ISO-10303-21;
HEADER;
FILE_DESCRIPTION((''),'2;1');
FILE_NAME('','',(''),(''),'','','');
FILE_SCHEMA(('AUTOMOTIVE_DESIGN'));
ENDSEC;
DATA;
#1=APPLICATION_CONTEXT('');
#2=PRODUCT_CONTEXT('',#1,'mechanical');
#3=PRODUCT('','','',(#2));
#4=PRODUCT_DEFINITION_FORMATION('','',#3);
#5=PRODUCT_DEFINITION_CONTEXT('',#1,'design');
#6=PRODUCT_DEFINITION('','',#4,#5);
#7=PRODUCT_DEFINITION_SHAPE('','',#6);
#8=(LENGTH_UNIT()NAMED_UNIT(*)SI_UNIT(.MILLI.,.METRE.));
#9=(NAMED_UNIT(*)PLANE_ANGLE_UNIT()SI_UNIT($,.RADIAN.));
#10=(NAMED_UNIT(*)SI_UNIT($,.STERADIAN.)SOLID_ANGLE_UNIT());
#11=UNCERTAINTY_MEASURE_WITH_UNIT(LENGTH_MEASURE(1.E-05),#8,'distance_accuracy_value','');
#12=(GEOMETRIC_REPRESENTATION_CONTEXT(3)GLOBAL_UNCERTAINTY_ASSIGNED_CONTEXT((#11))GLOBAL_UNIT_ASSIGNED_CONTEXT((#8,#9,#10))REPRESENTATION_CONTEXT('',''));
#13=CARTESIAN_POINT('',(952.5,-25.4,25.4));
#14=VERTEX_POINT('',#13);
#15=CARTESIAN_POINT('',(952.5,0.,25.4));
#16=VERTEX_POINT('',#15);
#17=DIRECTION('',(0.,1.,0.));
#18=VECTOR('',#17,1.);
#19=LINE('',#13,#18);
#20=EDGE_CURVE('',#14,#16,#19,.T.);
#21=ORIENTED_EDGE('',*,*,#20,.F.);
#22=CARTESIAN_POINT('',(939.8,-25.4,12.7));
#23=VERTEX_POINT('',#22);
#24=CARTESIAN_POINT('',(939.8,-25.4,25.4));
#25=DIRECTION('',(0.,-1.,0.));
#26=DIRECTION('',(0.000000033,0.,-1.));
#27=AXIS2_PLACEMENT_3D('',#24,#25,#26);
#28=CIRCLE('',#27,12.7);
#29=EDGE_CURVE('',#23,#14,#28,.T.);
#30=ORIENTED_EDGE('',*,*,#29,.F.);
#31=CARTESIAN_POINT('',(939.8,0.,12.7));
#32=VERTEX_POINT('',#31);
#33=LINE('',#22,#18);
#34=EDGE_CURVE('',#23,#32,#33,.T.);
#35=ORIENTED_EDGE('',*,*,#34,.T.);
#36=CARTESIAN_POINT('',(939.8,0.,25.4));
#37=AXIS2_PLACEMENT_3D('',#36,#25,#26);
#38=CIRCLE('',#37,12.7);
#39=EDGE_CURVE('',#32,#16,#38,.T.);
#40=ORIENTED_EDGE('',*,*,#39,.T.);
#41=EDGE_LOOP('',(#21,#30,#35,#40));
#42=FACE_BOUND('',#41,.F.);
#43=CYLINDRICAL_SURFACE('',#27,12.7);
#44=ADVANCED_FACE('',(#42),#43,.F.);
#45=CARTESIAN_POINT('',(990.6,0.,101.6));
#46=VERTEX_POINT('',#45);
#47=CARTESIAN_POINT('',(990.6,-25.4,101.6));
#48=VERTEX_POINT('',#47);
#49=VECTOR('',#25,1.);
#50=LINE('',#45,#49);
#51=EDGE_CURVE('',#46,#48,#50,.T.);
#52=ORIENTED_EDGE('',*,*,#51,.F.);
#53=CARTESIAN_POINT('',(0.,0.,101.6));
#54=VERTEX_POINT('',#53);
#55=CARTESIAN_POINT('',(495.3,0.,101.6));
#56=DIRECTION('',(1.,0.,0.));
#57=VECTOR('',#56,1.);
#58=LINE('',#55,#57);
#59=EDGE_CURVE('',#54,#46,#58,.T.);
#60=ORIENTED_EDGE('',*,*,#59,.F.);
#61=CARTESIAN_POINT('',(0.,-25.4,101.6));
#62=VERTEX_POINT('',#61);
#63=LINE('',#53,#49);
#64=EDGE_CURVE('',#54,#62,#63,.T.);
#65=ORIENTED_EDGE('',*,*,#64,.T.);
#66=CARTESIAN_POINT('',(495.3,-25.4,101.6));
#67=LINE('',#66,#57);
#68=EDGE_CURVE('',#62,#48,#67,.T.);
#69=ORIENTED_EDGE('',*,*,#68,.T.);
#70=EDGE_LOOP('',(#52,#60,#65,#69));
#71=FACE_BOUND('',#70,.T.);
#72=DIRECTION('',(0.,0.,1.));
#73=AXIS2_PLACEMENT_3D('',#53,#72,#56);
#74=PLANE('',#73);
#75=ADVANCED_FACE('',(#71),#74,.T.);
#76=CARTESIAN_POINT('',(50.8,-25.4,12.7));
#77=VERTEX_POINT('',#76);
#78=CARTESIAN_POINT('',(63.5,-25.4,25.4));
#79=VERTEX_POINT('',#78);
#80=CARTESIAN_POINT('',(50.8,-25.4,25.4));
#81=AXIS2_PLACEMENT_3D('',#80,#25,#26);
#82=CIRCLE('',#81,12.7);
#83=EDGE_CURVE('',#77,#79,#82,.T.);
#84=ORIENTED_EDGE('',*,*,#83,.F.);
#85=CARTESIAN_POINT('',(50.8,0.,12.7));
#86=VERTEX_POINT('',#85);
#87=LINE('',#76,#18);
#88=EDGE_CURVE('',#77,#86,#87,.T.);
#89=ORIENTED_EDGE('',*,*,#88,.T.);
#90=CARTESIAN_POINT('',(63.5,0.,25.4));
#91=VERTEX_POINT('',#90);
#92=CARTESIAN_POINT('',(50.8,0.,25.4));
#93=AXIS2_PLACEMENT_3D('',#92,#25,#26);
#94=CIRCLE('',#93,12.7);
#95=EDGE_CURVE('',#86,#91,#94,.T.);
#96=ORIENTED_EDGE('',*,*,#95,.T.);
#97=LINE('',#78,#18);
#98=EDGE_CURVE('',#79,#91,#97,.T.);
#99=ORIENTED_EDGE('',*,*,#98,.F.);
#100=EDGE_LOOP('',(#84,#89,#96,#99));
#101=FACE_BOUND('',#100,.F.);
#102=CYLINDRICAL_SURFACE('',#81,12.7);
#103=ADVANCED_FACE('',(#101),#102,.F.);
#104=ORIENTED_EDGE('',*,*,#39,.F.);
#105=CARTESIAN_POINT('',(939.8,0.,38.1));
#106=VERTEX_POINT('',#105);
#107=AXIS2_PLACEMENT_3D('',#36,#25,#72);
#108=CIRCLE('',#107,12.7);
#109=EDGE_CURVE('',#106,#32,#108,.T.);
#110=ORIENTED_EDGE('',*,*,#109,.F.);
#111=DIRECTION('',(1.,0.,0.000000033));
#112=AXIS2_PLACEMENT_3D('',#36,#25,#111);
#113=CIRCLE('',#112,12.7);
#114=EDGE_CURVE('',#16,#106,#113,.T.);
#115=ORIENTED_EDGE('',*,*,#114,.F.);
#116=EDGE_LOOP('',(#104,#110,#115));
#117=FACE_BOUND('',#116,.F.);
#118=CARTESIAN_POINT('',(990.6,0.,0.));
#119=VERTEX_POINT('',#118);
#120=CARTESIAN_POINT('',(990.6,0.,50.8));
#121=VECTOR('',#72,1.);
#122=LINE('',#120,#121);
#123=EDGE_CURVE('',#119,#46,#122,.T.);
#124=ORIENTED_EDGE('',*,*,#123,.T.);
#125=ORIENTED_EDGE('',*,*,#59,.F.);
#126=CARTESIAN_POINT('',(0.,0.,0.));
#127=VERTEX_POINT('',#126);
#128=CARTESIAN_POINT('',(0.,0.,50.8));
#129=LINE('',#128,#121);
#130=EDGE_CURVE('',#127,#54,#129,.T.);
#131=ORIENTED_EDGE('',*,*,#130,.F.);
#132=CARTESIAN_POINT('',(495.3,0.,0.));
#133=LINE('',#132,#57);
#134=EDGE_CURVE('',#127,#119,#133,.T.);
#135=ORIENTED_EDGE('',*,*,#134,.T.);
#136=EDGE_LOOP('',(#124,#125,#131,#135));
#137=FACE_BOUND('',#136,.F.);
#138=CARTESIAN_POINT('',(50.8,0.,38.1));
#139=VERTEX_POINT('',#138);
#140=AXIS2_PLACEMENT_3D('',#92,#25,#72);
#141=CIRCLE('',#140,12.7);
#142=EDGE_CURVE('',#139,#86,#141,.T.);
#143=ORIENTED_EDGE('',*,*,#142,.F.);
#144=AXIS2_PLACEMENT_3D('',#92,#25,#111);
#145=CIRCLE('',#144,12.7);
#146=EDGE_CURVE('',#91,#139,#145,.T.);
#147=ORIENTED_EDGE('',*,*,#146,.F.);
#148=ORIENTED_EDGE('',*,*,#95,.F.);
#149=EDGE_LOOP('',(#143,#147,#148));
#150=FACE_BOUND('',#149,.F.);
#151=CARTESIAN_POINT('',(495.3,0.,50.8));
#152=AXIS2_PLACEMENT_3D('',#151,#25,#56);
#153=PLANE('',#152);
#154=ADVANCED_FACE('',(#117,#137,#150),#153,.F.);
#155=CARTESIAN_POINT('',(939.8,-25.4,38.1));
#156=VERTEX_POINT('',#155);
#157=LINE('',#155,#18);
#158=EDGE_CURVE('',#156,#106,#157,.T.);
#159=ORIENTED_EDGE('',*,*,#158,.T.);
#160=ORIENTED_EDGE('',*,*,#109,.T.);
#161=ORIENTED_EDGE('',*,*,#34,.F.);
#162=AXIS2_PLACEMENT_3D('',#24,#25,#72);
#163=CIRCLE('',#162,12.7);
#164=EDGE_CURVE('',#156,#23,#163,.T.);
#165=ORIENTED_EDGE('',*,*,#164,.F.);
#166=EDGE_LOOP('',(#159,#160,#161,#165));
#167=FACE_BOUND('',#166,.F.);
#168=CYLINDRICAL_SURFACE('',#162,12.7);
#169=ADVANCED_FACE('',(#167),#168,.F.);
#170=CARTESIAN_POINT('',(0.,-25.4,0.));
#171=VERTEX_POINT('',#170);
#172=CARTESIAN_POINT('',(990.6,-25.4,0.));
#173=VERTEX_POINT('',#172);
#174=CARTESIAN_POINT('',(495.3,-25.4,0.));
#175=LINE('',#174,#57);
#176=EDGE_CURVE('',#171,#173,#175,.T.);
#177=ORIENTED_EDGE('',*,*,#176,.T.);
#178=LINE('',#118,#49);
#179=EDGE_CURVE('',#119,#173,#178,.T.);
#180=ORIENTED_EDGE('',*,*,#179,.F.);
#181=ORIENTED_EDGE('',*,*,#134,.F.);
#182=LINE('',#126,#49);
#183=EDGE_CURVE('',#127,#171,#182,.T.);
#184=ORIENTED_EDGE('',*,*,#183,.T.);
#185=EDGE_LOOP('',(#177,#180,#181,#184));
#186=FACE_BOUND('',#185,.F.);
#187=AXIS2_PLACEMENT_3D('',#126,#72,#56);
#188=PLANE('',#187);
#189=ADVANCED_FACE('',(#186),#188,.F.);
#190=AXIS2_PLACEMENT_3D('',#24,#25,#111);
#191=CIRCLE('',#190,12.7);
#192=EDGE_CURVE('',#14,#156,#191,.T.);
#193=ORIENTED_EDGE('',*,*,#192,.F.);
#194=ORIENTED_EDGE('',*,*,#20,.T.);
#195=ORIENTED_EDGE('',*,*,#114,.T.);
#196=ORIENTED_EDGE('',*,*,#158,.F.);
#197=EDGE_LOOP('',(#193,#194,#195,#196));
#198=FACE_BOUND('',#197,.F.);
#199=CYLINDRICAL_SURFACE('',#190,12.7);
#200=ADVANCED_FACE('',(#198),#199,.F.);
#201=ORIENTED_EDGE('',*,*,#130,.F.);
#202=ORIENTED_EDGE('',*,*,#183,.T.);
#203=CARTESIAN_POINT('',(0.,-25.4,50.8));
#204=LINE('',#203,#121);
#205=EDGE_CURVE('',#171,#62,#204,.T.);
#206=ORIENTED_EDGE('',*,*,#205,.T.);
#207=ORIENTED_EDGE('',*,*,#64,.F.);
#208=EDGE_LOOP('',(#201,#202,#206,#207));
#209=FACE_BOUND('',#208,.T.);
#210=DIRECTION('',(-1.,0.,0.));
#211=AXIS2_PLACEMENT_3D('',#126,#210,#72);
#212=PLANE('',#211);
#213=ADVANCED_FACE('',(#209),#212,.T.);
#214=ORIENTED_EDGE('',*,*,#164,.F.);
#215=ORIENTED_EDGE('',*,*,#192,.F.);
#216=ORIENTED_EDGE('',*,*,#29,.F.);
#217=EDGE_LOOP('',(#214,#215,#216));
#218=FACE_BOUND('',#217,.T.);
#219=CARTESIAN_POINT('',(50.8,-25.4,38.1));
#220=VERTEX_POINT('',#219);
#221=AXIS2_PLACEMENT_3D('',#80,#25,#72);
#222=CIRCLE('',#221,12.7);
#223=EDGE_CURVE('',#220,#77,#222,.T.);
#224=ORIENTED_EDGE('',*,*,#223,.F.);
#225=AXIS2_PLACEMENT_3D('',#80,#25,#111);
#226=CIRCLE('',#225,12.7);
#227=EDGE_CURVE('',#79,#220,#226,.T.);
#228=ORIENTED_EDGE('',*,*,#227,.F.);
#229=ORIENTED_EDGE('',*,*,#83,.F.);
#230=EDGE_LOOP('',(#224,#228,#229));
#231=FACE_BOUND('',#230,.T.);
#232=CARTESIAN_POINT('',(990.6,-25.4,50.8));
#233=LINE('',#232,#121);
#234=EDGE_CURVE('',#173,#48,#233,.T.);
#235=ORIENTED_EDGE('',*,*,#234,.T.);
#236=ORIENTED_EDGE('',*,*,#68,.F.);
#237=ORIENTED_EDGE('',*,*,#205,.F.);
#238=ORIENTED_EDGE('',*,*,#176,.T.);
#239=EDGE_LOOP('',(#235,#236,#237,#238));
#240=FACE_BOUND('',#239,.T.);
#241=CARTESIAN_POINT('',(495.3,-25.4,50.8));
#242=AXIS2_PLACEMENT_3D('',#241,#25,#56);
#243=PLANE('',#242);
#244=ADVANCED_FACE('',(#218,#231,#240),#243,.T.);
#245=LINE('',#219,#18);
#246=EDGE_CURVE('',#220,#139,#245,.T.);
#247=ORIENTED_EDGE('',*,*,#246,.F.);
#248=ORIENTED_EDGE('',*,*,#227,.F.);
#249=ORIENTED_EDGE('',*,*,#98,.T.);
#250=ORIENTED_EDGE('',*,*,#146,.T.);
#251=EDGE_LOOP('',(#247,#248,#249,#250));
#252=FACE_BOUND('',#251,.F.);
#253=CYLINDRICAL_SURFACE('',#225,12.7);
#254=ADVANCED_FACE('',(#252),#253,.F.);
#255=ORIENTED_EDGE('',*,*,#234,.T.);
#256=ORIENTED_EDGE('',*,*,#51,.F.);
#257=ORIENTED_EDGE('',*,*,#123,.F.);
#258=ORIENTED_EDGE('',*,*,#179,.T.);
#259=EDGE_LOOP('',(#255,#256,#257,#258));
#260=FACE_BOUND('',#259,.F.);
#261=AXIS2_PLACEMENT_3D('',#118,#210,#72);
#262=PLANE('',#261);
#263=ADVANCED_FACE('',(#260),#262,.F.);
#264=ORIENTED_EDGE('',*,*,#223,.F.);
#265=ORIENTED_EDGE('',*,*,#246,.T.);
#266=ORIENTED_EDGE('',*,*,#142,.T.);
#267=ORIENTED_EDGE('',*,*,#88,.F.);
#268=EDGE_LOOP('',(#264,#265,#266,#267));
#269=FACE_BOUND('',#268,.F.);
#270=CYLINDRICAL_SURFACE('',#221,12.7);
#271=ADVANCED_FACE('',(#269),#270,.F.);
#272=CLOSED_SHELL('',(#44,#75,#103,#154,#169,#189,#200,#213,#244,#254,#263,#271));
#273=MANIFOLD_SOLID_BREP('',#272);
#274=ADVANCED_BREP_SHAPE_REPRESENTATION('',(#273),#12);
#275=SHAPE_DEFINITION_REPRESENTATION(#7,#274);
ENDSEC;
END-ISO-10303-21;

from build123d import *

# Parameters (mm, degrees)
F0_W     = 990.6
F0_H     = 101.6
F1_DEPTH = 25.4
F3_DEPTH = 25.401


with BuildPart() as f1:
    # F0 (on Front) → F1 (new body)
    with BuildSketch(Plane.XZ):
        with Locations((495.3, 50.8)):
            Rectangle(F0_W, F0_H)
    extrude(amount=F1_DEPTH)

    # F2 (on face) → F3 (cut, through all)
    with BuildSketch(Plane.XZ.offset(25.4)):
        with BuildLine():
            ThreePointArc((63.5, 25.4), (59.780256, 34.380256), (50.8, 38.1))
            Line((50.8, 38.1), (50.8, 12.7))
            ThreePointArc((50.8, 12.7), (59.780256, 16.419744), (63.5, 25.4))
        make_face()
        with BuildLine():
            Line((50.8, 12.7), (50.8, 38.1))
            ThreePointArc((50.8, 38.1), (38.1, 25.4), (50.8, 12.7))
        make_face()
        with BuildLine():
            ThreePointArc((952.5, 25.4), (948.780256, 34.380256), (939.8, 38.1))
            Line((939.8, 38.1), (939.8, 12.7))
            ThreePointArc((939.8, 12.7), (948.780256, 16.419744), (952.5, 25.4))
        make_face()
        with BuildLine():
            Line((939.8, 12.7), (939.8, 38.1))
            ThreePointArc((939.8, 38.1), (927.1, 25.4), (939.8, 12.7))
        make_face()
    extrude(amount=-F3_DEPTH, mode=Mode.SUBTRACT)


solid = f1.part
